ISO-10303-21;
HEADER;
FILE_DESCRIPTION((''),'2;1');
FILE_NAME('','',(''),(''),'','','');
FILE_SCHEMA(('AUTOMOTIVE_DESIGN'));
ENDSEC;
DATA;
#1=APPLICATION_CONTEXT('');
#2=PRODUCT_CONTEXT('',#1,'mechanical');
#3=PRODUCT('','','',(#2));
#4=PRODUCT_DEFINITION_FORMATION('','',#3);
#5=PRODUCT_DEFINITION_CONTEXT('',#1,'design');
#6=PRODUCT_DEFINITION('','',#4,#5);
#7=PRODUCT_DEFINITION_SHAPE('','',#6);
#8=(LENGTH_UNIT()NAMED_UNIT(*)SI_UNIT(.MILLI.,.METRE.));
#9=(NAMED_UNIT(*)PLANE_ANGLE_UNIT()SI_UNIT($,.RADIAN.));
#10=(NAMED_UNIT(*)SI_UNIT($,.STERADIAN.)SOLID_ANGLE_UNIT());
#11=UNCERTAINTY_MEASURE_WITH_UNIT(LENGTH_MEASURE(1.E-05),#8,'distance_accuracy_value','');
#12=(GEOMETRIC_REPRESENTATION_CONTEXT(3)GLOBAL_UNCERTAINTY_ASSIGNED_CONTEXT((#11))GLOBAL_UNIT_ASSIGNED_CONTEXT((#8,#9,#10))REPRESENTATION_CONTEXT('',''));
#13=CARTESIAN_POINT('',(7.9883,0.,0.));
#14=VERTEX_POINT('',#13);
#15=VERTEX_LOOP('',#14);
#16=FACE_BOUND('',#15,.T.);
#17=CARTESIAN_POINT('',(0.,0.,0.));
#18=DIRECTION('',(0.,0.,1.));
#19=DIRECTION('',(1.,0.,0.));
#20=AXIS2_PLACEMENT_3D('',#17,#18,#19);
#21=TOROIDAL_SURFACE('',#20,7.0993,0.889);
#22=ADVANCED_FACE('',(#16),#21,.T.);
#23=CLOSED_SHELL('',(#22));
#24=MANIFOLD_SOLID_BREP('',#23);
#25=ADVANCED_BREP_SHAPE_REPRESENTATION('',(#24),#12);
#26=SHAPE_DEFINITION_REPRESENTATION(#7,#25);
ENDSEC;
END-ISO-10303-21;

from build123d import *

# Parameters (mm, degrees)
SKETCH1_R = 0.889


with BuildPart() as part:
    # Sketch1 → Revolve1 (revolve)
    with BuildSketch(Plane(origin=(0, 0, 0), x_dir=(0, -1, 0), z_dir=(1, 0, 0))):
        with Locations((7.0993, 0)):
            Circle(SKETCH1_R)
    revolve(axis=Axis((0, 0, 0.889), (0, 0, -1)))


solid = part.part
